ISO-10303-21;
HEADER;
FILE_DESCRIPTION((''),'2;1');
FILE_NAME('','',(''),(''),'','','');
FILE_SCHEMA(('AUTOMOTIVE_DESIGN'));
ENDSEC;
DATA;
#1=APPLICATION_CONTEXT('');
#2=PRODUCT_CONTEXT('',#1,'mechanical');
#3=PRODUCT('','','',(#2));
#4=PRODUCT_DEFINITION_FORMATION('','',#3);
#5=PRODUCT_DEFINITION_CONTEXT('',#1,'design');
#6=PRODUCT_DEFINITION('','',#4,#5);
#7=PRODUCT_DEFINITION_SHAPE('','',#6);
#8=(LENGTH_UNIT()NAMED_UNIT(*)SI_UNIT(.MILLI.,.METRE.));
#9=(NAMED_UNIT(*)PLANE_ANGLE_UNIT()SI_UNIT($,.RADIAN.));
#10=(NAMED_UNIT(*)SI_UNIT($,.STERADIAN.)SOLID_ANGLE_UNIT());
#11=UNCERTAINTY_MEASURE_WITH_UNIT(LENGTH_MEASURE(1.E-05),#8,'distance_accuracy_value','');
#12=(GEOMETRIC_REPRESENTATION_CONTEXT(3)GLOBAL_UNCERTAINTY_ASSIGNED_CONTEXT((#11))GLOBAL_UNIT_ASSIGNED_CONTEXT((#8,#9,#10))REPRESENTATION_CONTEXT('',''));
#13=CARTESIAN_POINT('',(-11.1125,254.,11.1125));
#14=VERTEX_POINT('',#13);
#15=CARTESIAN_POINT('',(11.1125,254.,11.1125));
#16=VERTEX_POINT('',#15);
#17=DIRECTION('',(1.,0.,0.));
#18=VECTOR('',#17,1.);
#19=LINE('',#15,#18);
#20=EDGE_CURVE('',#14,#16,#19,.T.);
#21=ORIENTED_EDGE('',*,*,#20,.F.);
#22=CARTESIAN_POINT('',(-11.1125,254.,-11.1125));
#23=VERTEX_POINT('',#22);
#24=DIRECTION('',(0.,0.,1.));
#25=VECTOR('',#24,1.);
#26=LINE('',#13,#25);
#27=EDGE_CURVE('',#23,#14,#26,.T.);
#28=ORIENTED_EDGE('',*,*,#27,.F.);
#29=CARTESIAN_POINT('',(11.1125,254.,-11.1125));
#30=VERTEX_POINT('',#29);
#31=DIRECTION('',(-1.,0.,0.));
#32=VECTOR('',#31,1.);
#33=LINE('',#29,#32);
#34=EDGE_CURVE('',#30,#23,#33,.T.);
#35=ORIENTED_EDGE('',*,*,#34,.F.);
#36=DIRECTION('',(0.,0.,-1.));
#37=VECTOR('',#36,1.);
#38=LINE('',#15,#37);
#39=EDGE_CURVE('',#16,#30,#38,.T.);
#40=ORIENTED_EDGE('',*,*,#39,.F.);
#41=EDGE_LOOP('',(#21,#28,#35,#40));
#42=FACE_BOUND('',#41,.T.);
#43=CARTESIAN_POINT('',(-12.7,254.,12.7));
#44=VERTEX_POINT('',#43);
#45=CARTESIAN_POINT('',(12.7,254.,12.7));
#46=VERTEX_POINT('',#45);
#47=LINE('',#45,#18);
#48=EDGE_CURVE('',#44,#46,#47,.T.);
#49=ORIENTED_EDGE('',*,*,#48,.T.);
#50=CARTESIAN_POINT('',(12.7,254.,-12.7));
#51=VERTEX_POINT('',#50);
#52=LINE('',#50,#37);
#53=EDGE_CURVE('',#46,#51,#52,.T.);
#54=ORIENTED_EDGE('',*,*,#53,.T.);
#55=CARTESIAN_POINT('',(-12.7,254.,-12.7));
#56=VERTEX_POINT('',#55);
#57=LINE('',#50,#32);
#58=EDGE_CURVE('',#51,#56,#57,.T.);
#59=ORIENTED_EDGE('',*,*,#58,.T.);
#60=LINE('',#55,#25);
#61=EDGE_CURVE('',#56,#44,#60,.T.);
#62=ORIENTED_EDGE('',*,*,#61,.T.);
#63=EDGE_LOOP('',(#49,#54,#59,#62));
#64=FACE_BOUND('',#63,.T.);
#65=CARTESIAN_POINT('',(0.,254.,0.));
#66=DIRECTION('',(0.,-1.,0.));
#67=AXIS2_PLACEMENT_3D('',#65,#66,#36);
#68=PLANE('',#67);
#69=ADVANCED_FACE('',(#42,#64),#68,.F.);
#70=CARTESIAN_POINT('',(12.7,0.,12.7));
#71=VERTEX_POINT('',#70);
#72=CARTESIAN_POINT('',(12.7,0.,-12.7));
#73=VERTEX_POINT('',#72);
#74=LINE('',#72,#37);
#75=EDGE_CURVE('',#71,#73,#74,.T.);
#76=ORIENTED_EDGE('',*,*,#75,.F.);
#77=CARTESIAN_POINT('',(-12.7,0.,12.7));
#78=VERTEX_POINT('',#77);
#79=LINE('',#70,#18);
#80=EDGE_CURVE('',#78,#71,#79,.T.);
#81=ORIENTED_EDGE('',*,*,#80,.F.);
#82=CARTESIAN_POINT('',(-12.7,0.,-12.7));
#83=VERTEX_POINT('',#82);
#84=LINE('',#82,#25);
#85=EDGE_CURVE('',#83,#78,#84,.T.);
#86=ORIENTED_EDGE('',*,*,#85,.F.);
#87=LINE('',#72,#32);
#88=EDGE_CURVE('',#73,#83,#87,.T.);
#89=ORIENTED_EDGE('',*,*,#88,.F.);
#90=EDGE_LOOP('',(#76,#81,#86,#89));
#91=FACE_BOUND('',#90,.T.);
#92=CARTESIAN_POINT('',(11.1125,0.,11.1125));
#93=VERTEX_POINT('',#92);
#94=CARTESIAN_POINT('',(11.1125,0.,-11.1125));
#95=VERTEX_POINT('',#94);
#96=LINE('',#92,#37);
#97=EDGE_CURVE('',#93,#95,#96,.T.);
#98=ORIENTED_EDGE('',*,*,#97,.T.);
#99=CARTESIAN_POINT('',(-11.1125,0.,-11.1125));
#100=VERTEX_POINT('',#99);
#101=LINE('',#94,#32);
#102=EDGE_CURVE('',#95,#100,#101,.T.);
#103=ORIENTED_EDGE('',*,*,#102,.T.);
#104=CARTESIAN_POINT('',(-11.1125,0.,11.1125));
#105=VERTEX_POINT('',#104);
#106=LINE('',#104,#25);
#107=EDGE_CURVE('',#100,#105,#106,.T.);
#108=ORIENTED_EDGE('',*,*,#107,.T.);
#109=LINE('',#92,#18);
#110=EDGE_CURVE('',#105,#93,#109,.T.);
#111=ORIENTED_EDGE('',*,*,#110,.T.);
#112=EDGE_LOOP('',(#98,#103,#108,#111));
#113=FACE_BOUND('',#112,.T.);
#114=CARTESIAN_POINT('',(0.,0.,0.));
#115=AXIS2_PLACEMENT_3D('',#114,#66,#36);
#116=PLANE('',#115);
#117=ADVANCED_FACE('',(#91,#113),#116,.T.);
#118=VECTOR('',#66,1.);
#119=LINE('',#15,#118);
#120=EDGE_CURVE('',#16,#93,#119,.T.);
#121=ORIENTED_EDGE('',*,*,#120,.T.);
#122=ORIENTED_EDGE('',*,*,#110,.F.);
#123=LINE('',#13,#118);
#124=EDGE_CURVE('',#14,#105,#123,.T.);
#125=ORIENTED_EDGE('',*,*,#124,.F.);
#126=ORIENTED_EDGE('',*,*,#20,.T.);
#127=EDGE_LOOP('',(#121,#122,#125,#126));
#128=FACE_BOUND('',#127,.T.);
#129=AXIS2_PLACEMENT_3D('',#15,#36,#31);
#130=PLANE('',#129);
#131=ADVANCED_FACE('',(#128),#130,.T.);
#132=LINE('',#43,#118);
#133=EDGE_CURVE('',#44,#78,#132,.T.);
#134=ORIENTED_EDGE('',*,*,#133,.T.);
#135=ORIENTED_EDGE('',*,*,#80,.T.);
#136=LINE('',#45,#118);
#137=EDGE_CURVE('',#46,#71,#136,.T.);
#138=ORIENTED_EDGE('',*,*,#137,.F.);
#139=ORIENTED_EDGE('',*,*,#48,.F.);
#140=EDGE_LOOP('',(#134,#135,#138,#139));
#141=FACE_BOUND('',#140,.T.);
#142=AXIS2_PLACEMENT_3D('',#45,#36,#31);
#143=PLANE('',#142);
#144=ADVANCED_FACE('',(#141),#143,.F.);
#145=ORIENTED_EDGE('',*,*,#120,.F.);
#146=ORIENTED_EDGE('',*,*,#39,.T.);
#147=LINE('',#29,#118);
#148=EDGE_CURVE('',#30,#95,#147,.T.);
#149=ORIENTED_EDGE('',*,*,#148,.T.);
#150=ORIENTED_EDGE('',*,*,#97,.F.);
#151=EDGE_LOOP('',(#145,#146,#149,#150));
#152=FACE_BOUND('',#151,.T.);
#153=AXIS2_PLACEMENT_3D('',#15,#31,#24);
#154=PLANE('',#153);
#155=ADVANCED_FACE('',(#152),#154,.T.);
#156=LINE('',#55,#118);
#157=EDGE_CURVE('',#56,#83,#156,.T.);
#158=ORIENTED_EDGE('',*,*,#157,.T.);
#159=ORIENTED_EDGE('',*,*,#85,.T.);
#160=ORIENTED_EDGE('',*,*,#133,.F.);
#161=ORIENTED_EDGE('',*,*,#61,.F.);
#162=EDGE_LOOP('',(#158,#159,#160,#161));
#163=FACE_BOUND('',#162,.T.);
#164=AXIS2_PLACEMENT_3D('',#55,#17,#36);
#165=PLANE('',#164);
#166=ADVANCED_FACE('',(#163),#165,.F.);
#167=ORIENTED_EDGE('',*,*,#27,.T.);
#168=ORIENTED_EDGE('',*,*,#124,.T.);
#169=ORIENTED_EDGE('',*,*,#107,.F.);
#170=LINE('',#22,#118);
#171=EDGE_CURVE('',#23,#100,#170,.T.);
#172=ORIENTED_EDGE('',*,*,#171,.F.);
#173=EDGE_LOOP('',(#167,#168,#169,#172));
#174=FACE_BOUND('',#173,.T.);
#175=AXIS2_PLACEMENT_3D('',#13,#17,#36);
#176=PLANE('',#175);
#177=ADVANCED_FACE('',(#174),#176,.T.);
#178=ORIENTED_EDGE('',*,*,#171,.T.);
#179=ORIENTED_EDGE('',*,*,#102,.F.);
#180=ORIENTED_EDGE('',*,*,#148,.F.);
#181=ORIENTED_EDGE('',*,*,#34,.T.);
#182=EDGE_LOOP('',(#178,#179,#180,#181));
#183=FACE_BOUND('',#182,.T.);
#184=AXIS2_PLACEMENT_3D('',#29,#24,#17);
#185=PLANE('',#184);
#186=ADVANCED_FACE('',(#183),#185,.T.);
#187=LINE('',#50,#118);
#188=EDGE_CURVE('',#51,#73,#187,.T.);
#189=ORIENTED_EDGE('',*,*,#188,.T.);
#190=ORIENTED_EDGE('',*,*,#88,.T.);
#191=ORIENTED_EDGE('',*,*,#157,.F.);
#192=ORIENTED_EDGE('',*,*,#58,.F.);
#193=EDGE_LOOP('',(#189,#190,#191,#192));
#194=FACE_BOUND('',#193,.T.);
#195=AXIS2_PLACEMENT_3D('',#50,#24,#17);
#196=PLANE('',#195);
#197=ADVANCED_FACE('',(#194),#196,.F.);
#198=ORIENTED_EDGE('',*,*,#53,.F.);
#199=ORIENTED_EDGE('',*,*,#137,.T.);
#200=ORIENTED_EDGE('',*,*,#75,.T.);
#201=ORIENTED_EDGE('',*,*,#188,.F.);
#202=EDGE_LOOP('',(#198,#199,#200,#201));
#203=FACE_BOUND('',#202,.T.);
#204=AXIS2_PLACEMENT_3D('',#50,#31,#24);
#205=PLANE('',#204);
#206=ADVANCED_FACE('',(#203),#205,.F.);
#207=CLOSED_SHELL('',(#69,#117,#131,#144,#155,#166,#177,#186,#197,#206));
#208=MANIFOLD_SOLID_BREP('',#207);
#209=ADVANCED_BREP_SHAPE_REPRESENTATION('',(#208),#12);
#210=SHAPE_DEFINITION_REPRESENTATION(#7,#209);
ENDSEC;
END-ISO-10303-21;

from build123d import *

# Parameters (mm, degrees)
SKETCH1_W           = 25.4
SKETCH1_H           = 25.4
SKETCH1_W_2         = 22.225
SKETCH1_H_2         = 22.225
BOSS_EXTRUDE1_DEPTH = 254


with BuildPart() as part:
    # Sketch1 → Boss-Extrude1 (new body)
    with BuildSketch(Plane(origin=(0, 0, 0), x_dir=(1, 0, 0), z_dir=(0, 1, 0))):
        Rectangle(SKETCH1_W, SKETCH1_H)
        Rectangle(SKETCH1_W_2, SKETCH1_H_2, mode=Mode.SUBTRACT)
    extrude(amount=BOSS_EXTRUDE1_DEPTH)


solid = part.part
